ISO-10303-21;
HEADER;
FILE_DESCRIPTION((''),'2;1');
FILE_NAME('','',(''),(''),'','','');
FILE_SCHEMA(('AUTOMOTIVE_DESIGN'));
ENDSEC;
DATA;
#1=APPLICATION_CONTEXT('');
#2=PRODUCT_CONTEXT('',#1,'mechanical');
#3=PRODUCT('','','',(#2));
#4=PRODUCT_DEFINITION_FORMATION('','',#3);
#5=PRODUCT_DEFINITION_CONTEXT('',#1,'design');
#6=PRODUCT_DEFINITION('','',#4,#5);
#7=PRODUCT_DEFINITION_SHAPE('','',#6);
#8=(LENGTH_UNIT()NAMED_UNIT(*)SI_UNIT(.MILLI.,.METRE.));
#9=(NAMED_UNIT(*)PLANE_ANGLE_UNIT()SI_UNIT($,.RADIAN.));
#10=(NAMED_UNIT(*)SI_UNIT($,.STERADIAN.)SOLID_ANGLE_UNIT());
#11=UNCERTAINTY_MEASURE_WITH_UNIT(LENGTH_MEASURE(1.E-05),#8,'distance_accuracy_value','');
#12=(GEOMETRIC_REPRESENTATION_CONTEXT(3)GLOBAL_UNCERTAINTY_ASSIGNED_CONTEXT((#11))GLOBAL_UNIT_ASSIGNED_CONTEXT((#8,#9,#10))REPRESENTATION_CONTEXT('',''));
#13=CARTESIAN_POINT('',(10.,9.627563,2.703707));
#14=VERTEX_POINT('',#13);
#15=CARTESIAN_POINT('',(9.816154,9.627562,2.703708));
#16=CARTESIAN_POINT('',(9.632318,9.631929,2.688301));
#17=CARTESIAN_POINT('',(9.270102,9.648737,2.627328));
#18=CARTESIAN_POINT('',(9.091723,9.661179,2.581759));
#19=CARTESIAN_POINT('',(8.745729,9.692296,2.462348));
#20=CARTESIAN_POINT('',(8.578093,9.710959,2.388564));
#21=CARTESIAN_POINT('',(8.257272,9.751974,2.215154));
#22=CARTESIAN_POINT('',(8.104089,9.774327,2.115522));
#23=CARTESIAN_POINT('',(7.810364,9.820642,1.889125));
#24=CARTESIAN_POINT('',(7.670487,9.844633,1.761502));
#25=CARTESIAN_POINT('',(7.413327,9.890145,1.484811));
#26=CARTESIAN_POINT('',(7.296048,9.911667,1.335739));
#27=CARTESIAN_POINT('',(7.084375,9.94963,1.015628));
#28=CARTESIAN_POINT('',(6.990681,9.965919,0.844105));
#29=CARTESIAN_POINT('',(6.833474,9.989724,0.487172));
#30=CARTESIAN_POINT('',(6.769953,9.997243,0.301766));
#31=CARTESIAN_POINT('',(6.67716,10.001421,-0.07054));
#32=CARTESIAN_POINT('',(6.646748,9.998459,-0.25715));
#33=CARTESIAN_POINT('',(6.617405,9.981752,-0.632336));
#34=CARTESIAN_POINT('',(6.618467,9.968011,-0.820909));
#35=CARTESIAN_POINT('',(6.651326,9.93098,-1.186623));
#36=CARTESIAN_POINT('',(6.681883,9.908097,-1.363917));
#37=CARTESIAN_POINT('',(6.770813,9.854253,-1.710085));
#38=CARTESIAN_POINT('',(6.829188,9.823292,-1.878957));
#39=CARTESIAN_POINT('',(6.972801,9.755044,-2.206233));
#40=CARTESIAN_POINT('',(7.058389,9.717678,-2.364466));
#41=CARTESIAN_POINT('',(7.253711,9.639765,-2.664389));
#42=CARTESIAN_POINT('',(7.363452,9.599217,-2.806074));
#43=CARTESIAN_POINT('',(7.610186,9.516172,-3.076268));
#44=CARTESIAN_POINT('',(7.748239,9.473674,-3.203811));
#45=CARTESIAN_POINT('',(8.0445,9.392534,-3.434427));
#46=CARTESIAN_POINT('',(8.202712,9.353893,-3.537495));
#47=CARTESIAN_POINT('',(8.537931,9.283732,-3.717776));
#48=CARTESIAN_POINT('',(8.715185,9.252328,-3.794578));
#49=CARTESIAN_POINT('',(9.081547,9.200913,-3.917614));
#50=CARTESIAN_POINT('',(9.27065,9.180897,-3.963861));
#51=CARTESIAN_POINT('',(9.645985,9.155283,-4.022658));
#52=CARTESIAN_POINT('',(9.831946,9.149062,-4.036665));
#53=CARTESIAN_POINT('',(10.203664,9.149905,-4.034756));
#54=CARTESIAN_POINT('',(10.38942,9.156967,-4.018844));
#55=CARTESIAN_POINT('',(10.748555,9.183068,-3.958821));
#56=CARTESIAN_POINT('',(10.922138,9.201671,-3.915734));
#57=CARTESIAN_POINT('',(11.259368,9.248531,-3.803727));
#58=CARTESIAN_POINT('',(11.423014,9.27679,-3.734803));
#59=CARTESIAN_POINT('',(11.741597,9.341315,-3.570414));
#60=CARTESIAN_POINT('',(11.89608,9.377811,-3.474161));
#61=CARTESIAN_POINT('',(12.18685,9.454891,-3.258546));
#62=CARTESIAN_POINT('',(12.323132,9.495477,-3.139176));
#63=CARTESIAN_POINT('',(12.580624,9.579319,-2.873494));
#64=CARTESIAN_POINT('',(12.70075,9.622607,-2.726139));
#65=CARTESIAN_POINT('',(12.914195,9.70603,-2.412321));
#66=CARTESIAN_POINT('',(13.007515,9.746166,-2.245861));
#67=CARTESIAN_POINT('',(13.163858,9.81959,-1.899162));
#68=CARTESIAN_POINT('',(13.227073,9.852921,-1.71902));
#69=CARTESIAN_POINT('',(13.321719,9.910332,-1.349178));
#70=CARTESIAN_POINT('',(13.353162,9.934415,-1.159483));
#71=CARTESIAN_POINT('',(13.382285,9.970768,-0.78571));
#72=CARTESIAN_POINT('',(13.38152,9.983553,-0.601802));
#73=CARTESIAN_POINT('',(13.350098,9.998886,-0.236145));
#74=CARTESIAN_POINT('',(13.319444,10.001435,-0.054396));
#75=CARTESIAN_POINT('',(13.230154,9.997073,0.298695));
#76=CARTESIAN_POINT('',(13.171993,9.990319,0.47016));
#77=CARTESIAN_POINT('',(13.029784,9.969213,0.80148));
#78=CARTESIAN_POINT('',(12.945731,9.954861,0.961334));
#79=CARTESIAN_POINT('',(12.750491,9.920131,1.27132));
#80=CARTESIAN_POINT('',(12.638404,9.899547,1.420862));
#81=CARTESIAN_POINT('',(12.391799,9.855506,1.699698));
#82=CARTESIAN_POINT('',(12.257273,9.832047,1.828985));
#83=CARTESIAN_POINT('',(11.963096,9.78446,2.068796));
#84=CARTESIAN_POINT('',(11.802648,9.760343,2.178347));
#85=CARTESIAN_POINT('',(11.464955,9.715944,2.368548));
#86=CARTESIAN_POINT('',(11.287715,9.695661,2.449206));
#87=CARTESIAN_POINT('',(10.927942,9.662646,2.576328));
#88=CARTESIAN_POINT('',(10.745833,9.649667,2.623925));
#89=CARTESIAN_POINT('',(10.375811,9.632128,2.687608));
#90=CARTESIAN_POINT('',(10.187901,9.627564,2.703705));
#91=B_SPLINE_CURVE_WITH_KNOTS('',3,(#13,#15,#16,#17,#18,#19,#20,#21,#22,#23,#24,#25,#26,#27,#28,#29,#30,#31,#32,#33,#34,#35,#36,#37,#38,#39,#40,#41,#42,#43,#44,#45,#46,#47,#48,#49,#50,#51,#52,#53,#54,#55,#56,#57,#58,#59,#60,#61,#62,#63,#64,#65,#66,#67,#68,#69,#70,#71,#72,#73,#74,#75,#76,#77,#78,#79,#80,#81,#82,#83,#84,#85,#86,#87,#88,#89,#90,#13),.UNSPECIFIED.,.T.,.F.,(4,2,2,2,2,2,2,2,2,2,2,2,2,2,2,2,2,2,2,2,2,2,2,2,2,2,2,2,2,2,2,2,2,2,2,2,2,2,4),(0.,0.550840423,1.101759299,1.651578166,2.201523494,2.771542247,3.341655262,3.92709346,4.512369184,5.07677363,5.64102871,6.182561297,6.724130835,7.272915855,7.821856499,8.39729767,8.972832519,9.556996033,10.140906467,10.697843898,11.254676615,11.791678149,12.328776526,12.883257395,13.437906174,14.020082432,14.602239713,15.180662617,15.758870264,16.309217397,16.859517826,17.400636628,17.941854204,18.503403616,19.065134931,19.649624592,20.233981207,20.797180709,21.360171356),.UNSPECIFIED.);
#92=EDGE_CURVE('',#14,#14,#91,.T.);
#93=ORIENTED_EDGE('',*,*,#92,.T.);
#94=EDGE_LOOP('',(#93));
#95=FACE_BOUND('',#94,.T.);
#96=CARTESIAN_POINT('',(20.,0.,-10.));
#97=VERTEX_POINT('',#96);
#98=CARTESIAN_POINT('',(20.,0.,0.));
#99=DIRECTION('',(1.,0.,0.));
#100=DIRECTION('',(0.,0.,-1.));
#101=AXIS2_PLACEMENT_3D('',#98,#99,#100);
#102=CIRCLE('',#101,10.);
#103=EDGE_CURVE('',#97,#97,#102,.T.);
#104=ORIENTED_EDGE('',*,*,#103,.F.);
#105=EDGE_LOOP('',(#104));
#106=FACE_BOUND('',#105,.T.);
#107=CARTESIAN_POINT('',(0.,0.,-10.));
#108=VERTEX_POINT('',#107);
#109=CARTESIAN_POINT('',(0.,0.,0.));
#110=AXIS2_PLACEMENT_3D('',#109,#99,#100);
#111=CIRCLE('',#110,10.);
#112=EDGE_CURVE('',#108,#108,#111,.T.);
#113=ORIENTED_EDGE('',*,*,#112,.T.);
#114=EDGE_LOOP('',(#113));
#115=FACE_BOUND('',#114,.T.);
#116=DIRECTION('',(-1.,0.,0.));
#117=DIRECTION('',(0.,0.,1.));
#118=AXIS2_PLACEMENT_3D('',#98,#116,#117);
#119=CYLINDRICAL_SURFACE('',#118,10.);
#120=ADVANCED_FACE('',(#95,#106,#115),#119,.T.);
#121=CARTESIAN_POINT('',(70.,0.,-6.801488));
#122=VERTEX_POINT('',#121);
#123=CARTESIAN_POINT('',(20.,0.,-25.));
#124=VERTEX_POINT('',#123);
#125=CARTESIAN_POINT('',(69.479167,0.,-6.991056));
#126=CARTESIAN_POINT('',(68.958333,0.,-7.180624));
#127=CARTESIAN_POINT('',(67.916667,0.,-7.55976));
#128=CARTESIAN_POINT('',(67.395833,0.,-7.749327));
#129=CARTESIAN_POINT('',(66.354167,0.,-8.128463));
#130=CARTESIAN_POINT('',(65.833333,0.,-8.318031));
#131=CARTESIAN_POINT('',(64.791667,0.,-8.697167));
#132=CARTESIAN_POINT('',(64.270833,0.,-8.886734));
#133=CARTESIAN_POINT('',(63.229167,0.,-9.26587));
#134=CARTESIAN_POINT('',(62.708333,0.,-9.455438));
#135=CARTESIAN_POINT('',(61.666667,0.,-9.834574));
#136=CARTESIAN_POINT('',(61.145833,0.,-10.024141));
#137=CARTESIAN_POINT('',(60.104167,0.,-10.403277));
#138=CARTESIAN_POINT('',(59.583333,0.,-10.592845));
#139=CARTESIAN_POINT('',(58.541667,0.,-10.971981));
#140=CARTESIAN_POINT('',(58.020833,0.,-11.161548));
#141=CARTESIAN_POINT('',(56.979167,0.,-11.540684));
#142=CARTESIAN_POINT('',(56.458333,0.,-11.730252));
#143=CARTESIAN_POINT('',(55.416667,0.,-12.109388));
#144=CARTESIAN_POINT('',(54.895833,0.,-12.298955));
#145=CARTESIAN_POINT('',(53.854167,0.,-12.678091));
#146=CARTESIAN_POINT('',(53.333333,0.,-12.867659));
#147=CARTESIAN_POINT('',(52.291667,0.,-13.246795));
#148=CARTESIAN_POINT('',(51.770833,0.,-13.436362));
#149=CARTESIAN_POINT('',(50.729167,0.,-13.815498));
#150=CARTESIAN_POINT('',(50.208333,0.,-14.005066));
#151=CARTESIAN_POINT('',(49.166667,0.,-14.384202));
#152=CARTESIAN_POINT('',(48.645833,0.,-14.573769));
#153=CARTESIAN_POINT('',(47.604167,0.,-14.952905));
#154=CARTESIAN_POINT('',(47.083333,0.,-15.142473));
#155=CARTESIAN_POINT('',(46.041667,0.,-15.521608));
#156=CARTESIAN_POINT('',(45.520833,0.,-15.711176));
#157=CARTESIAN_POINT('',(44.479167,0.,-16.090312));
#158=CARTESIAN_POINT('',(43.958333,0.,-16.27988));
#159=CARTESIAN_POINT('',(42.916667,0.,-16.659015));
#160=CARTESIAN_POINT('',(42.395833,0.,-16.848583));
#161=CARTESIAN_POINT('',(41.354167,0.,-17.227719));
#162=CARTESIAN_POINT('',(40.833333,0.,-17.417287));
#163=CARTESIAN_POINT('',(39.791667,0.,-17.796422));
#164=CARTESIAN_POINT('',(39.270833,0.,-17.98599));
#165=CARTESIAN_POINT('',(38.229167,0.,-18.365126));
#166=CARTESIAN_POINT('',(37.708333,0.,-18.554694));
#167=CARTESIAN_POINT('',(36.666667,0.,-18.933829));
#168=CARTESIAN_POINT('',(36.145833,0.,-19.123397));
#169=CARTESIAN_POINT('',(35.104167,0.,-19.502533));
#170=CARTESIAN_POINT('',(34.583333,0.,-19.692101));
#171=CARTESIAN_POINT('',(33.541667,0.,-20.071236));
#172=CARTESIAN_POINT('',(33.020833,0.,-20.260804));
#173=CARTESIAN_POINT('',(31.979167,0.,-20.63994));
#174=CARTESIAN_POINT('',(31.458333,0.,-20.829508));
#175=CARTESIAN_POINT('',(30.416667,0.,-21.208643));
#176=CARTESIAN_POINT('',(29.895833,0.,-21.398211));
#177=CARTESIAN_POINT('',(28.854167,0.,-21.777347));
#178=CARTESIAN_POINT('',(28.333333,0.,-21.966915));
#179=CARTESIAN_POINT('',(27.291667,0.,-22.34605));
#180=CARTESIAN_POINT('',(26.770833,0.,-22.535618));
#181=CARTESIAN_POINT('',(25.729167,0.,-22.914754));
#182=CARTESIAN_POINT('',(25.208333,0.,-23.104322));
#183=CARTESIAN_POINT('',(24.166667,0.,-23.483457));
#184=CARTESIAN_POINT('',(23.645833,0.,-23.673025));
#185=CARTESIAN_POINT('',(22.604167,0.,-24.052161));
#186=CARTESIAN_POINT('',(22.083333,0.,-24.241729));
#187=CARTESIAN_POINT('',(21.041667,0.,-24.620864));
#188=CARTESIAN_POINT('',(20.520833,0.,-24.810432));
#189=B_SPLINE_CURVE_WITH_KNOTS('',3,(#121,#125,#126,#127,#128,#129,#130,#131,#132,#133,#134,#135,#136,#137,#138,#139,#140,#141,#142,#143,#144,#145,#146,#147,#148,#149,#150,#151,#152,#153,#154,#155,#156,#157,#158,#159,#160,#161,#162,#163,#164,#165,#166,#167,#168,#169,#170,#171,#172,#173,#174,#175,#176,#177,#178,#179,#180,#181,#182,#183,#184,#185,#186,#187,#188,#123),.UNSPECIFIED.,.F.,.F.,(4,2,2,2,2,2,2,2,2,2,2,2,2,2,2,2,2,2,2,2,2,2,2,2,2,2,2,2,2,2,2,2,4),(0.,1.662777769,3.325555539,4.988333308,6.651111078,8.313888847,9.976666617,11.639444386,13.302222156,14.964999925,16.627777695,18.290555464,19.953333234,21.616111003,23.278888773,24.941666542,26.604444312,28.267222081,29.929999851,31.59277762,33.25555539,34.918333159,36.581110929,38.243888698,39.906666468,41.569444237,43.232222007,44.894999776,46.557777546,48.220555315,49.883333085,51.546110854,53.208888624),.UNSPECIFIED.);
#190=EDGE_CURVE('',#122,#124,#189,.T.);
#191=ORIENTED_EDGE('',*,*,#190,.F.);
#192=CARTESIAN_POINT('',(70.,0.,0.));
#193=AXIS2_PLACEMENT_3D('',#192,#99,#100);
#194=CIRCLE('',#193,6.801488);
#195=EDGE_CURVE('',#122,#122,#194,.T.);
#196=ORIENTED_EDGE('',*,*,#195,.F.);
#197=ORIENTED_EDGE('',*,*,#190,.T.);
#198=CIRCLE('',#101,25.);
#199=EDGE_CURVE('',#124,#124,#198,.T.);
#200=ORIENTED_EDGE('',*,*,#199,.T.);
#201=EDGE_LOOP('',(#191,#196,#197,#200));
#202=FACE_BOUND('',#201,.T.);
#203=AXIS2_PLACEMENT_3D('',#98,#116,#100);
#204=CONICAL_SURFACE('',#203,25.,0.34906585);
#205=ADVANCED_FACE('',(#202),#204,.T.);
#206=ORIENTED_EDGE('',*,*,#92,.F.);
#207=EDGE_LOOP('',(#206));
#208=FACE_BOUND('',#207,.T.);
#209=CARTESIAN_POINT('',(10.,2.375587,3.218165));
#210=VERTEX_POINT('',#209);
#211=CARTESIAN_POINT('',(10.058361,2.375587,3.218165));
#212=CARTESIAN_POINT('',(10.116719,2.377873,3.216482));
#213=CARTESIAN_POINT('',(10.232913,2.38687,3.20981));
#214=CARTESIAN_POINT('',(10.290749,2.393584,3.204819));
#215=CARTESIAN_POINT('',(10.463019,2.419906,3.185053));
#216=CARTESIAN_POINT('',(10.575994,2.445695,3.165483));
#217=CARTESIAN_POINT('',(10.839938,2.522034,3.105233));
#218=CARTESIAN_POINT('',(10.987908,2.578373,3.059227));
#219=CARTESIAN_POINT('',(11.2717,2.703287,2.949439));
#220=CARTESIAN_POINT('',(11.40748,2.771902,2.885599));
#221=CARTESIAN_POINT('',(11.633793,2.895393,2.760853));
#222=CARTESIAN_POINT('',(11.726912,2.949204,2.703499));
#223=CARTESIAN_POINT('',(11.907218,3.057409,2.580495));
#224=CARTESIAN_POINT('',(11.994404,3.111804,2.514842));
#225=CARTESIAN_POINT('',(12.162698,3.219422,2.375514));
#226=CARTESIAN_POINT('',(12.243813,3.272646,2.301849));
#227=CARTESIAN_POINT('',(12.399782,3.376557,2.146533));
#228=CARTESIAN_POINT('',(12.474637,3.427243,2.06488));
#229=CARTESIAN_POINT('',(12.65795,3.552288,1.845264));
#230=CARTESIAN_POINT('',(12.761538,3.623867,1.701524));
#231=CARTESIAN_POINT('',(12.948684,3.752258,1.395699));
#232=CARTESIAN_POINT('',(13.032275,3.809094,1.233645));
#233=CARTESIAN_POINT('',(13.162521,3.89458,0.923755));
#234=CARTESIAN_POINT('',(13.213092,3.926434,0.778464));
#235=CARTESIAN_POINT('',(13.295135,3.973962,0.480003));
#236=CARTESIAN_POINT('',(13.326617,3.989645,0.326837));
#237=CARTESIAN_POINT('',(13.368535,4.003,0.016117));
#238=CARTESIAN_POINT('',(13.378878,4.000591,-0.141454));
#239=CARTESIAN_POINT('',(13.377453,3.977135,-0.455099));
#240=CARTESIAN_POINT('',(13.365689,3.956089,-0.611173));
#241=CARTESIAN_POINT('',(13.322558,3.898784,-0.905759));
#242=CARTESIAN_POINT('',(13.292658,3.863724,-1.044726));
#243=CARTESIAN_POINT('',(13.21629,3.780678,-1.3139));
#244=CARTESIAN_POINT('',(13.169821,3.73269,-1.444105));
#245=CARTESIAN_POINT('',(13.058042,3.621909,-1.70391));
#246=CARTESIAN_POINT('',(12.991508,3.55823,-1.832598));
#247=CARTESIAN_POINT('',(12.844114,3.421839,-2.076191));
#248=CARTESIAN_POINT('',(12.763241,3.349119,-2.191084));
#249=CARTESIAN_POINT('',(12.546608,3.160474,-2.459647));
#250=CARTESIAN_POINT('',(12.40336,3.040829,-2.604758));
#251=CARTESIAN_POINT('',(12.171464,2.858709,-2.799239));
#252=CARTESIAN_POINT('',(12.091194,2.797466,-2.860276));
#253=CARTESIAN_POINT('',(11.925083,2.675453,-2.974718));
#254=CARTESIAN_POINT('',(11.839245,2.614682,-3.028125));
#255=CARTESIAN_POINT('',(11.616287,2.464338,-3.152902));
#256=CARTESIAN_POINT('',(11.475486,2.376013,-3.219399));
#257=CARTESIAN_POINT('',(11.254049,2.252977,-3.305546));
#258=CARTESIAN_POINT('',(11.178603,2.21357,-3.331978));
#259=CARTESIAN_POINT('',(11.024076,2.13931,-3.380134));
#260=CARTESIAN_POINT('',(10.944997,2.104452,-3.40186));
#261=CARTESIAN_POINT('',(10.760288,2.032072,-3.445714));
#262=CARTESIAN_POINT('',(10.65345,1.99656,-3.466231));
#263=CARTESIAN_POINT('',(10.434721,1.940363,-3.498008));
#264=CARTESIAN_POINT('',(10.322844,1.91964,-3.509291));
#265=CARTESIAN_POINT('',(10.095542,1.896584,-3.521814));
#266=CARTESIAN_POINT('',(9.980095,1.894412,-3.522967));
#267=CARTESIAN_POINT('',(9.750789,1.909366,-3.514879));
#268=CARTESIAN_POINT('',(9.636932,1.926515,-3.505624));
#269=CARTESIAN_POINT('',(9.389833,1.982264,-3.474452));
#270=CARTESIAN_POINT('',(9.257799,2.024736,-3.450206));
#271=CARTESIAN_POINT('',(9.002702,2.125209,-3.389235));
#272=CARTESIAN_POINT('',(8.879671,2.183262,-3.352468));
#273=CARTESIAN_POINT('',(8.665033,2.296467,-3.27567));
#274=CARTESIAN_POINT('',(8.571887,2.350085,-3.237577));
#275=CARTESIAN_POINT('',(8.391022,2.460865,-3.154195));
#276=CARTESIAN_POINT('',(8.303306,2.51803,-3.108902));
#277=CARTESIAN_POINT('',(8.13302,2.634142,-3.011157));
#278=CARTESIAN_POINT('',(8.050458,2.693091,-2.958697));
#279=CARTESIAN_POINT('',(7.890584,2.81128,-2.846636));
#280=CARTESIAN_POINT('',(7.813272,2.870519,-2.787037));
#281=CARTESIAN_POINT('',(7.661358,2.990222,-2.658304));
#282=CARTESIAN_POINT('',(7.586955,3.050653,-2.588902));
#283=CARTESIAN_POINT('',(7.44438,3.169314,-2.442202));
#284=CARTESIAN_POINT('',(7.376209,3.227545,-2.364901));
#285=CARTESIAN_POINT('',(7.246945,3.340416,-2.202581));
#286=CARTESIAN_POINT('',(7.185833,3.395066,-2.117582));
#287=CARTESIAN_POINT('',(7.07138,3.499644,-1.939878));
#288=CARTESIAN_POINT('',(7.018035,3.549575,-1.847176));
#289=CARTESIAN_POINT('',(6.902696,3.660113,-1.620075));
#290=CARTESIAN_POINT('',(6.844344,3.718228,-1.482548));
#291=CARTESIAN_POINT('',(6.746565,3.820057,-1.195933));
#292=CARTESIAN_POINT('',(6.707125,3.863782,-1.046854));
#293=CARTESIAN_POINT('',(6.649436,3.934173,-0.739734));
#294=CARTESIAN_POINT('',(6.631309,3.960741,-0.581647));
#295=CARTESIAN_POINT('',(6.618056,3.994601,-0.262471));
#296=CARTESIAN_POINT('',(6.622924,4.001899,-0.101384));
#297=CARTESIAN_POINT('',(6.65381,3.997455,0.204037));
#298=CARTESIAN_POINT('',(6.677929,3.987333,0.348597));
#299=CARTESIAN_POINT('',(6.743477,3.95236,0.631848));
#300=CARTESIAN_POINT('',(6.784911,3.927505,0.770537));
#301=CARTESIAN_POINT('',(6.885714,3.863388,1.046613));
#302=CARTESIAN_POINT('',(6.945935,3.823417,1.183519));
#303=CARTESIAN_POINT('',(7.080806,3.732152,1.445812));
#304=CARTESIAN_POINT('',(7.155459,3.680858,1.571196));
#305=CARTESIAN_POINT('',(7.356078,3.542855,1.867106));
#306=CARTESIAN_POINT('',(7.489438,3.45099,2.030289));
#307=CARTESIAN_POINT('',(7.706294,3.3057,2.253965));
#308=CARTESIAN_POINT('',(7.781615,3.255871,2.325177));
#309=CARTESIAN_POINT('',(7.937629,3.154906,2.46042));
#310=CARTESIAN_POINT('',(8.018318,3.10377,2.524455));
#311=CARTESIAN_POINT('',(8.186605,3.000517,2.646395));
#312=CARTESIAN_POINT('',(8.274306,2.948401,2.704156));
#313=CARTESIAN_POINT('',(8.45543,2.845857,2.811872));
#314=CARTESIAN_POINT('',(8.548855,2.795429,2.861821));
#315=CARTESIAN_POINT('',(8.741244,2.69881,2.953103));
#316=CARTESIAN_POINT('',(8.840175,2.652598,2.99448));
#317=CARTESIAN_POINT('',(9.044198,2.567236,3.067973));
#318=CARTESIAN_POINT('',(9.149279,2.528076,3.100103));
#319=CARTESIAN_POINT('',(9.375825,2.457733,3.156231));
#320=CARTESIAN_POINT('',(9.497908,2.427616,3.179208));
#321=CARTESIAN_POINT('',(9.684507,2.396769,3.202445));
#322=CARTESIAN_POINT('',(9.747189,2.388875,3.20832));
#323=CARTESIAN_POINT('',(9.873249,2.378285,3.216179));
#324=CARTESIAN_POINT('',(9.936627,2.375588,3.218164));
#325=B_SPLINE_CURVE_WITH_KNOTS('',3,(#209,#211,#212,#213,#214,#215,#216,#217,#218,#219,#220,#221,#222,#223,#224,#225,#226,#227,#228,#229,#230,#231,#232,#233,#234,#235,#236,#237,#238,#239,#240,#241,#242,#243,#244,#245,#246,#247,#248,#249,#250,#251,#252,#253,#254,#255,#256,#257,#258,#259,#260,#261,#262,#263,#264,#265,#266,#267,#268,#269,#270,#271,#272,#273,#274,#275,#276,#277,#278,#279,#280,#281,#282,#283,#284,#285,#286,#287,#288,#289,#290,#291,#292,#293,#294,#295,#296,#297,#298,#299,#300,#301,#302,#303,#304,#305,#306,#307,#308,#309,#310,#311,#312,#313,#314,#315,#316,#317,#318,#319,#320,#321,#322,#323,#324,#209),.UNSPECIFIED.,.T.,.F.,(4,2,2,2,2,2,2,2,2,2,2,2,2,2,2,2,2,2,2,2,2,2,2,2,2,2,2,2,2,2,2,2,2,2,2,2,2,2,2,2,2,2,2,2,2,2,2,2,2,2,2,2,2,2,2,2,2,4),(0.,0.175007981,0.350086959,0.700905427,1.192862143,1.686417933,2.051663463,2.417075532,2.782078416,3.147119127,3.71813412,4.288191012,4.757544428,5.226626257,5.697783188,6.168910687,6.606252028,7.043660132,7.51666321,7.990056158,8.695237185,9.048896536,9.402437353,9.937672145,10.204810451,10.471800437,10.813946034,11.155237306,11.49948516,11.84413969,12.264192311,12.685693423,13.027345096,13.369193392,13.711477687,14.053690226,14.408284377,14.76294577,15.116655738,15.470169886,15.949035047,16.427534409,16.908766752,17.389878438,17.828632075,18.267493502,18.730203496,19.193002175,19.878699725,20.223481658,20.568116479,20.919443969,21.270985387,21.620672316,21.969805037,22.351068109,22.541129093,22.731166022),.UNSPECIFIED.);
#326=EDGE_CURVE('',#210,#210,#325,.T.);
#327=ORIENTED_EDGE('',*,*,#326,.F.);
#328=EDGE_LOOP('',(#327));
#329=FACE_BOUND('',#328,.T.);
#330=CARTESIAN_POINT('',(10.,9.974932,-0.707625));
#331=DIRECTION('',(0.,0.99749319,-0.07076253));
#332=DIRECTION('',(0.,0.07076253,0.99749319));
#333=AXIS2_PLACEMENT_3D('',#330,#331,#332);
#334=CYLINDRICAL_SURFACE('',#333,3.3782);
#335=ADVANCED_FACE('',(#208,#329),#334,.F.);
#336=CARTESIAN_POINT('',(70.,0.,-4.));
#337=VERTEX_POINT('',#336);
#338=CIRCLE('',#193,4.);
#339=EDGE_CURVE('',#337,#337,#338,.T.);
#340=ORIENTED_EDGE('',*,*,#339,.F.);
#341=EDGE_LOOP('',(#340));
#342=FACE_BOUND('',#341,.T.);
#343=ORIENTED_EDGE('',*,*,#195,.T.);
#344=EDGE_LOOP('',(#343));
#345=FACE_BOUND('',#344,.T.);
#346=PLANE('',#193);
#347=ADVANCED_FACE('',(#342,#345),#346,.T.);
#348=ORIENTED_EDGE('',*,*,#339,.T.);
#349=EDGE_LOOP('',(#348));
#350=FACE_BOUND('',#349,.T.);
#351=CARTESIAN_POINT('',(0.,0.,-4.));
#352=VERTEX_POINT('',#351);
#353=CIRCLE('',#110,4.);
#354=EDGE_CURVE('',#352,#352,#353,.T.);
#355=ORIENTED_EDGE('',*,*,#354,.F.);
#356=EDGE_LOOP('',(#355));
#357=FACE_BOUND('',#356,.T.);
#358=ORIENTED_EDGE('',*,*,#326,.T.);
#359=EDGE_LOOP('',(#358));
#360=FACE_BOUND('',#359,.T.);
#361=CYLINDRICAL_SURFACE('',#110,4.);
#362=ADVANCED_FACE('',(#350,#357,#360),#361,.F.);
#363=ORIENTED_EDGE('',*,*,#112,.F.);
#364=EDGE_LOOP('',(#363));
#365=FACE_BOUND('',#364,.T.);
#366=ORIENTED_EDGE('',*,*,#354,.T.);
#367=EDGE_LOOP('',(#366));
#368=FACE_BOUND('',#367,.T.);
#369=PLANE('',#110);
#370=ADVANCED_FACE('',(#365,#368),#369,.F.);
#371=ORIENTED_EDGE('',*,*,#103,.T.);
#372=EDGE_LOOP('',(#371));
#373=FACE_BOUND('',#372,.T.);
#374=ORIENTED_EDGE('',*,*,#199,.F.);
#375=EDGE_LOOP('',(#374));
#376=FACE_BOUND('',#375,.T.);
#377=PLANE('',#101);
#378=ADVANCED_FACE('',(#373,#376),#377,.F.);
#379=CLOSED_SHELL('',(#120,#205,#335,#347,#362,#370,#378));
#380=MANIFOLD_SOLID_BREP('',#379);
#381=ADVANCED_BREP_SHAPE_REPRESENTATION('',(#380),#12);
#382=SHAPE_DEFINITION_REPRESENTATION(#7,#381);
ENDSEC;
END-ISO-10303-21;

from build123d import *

# Parameters (mm, degrees)
CROQUIS1_R                         = 10
SALIENTE_EXTRUIR1_DEPTH            = 20
CROQUIS2_R                         = 25
SALIENTE_EXTRUIR2_DEPTH            = 50
SALIENTE_EXTRUIR2_TAPER            = 20
CROQUIS3_R                         = 4
CORTAR_EXTRUIR2_DEPTH              = 70
TALADRO_DE_MARGEN_PARA_1_41_REACH  = 76.055
TALADRO_DE_MARGEN_PARA_1_41_BORE_R = 3.3782


with BuildPart() as part:
    # Croquis1 → Saliente-Extruir1 (new body)
    with BuildSketch(Plane(origin=(0, 0, 0), x_dir=(0, 0, -1), z_dir=(1, 0, 0))):
        Circle(CROQUIS1_R)
    extrude(amount=SALIENTE_EXTRUIR1_DEPTH)

    # Croquis2 → Saliente-Extruir2 (add)
    with BuildSketch(Plane(origin=(20, 0, 0), x_dir=(0, 0, -1), z_dir=(1, 0, 0))):
        Circle(CROQUIS2_R)
    extrude(amount=SALIENTE_EXTRUIR2_DEPTH, taper=SALIENTE_EXTRUIR2_TAPER)

    # Croquis3 → Cortar-Extruir2 (cut)
    with BuildSketch(Plane(origin=(70, 0, 0), x_dir=(0, 0, -1), z_dir=(1, 0, 0))):
        Circle(CROQUIS3_R)
    extrude(amount=-CORTAR_EXTRUIR2_DEPTH, mode=Mode.SUBTRACT)

    # Taladro de margen para 1/41 bore (on position points) → Taladro de margen para 1/41 (cut, up to next)
    with BuildSketch(Plane(origin=(10, 9.974931901, -0.707625302), x_dir=(0, 0.070762530204, 0.997493190112), z_dir=(0, 0.997493190112, -0.070762530204)), mode=Mode.PRIVATE) as taladro_de_margen_para_1_41_sk1:
        Circle(TALADRO_DE_MARGEN_PARA_1_41_BORE_R)
    taladro_de_margen_para_1_41_tool1 = extrude(taladro_de_margen_para_1_41_sk1.sketch, amount=-TALADRO_DE_MARGEN_PARA_1_41_REACH, mode=Mode.PRIVATE) & part.part
    add(taladro_de_margen_para_1_41_tool1.solids().sort_by_distance((10, 9.974932, -0.707625))[0], mode=Mode.SUBTRACT)


solid = part.part
